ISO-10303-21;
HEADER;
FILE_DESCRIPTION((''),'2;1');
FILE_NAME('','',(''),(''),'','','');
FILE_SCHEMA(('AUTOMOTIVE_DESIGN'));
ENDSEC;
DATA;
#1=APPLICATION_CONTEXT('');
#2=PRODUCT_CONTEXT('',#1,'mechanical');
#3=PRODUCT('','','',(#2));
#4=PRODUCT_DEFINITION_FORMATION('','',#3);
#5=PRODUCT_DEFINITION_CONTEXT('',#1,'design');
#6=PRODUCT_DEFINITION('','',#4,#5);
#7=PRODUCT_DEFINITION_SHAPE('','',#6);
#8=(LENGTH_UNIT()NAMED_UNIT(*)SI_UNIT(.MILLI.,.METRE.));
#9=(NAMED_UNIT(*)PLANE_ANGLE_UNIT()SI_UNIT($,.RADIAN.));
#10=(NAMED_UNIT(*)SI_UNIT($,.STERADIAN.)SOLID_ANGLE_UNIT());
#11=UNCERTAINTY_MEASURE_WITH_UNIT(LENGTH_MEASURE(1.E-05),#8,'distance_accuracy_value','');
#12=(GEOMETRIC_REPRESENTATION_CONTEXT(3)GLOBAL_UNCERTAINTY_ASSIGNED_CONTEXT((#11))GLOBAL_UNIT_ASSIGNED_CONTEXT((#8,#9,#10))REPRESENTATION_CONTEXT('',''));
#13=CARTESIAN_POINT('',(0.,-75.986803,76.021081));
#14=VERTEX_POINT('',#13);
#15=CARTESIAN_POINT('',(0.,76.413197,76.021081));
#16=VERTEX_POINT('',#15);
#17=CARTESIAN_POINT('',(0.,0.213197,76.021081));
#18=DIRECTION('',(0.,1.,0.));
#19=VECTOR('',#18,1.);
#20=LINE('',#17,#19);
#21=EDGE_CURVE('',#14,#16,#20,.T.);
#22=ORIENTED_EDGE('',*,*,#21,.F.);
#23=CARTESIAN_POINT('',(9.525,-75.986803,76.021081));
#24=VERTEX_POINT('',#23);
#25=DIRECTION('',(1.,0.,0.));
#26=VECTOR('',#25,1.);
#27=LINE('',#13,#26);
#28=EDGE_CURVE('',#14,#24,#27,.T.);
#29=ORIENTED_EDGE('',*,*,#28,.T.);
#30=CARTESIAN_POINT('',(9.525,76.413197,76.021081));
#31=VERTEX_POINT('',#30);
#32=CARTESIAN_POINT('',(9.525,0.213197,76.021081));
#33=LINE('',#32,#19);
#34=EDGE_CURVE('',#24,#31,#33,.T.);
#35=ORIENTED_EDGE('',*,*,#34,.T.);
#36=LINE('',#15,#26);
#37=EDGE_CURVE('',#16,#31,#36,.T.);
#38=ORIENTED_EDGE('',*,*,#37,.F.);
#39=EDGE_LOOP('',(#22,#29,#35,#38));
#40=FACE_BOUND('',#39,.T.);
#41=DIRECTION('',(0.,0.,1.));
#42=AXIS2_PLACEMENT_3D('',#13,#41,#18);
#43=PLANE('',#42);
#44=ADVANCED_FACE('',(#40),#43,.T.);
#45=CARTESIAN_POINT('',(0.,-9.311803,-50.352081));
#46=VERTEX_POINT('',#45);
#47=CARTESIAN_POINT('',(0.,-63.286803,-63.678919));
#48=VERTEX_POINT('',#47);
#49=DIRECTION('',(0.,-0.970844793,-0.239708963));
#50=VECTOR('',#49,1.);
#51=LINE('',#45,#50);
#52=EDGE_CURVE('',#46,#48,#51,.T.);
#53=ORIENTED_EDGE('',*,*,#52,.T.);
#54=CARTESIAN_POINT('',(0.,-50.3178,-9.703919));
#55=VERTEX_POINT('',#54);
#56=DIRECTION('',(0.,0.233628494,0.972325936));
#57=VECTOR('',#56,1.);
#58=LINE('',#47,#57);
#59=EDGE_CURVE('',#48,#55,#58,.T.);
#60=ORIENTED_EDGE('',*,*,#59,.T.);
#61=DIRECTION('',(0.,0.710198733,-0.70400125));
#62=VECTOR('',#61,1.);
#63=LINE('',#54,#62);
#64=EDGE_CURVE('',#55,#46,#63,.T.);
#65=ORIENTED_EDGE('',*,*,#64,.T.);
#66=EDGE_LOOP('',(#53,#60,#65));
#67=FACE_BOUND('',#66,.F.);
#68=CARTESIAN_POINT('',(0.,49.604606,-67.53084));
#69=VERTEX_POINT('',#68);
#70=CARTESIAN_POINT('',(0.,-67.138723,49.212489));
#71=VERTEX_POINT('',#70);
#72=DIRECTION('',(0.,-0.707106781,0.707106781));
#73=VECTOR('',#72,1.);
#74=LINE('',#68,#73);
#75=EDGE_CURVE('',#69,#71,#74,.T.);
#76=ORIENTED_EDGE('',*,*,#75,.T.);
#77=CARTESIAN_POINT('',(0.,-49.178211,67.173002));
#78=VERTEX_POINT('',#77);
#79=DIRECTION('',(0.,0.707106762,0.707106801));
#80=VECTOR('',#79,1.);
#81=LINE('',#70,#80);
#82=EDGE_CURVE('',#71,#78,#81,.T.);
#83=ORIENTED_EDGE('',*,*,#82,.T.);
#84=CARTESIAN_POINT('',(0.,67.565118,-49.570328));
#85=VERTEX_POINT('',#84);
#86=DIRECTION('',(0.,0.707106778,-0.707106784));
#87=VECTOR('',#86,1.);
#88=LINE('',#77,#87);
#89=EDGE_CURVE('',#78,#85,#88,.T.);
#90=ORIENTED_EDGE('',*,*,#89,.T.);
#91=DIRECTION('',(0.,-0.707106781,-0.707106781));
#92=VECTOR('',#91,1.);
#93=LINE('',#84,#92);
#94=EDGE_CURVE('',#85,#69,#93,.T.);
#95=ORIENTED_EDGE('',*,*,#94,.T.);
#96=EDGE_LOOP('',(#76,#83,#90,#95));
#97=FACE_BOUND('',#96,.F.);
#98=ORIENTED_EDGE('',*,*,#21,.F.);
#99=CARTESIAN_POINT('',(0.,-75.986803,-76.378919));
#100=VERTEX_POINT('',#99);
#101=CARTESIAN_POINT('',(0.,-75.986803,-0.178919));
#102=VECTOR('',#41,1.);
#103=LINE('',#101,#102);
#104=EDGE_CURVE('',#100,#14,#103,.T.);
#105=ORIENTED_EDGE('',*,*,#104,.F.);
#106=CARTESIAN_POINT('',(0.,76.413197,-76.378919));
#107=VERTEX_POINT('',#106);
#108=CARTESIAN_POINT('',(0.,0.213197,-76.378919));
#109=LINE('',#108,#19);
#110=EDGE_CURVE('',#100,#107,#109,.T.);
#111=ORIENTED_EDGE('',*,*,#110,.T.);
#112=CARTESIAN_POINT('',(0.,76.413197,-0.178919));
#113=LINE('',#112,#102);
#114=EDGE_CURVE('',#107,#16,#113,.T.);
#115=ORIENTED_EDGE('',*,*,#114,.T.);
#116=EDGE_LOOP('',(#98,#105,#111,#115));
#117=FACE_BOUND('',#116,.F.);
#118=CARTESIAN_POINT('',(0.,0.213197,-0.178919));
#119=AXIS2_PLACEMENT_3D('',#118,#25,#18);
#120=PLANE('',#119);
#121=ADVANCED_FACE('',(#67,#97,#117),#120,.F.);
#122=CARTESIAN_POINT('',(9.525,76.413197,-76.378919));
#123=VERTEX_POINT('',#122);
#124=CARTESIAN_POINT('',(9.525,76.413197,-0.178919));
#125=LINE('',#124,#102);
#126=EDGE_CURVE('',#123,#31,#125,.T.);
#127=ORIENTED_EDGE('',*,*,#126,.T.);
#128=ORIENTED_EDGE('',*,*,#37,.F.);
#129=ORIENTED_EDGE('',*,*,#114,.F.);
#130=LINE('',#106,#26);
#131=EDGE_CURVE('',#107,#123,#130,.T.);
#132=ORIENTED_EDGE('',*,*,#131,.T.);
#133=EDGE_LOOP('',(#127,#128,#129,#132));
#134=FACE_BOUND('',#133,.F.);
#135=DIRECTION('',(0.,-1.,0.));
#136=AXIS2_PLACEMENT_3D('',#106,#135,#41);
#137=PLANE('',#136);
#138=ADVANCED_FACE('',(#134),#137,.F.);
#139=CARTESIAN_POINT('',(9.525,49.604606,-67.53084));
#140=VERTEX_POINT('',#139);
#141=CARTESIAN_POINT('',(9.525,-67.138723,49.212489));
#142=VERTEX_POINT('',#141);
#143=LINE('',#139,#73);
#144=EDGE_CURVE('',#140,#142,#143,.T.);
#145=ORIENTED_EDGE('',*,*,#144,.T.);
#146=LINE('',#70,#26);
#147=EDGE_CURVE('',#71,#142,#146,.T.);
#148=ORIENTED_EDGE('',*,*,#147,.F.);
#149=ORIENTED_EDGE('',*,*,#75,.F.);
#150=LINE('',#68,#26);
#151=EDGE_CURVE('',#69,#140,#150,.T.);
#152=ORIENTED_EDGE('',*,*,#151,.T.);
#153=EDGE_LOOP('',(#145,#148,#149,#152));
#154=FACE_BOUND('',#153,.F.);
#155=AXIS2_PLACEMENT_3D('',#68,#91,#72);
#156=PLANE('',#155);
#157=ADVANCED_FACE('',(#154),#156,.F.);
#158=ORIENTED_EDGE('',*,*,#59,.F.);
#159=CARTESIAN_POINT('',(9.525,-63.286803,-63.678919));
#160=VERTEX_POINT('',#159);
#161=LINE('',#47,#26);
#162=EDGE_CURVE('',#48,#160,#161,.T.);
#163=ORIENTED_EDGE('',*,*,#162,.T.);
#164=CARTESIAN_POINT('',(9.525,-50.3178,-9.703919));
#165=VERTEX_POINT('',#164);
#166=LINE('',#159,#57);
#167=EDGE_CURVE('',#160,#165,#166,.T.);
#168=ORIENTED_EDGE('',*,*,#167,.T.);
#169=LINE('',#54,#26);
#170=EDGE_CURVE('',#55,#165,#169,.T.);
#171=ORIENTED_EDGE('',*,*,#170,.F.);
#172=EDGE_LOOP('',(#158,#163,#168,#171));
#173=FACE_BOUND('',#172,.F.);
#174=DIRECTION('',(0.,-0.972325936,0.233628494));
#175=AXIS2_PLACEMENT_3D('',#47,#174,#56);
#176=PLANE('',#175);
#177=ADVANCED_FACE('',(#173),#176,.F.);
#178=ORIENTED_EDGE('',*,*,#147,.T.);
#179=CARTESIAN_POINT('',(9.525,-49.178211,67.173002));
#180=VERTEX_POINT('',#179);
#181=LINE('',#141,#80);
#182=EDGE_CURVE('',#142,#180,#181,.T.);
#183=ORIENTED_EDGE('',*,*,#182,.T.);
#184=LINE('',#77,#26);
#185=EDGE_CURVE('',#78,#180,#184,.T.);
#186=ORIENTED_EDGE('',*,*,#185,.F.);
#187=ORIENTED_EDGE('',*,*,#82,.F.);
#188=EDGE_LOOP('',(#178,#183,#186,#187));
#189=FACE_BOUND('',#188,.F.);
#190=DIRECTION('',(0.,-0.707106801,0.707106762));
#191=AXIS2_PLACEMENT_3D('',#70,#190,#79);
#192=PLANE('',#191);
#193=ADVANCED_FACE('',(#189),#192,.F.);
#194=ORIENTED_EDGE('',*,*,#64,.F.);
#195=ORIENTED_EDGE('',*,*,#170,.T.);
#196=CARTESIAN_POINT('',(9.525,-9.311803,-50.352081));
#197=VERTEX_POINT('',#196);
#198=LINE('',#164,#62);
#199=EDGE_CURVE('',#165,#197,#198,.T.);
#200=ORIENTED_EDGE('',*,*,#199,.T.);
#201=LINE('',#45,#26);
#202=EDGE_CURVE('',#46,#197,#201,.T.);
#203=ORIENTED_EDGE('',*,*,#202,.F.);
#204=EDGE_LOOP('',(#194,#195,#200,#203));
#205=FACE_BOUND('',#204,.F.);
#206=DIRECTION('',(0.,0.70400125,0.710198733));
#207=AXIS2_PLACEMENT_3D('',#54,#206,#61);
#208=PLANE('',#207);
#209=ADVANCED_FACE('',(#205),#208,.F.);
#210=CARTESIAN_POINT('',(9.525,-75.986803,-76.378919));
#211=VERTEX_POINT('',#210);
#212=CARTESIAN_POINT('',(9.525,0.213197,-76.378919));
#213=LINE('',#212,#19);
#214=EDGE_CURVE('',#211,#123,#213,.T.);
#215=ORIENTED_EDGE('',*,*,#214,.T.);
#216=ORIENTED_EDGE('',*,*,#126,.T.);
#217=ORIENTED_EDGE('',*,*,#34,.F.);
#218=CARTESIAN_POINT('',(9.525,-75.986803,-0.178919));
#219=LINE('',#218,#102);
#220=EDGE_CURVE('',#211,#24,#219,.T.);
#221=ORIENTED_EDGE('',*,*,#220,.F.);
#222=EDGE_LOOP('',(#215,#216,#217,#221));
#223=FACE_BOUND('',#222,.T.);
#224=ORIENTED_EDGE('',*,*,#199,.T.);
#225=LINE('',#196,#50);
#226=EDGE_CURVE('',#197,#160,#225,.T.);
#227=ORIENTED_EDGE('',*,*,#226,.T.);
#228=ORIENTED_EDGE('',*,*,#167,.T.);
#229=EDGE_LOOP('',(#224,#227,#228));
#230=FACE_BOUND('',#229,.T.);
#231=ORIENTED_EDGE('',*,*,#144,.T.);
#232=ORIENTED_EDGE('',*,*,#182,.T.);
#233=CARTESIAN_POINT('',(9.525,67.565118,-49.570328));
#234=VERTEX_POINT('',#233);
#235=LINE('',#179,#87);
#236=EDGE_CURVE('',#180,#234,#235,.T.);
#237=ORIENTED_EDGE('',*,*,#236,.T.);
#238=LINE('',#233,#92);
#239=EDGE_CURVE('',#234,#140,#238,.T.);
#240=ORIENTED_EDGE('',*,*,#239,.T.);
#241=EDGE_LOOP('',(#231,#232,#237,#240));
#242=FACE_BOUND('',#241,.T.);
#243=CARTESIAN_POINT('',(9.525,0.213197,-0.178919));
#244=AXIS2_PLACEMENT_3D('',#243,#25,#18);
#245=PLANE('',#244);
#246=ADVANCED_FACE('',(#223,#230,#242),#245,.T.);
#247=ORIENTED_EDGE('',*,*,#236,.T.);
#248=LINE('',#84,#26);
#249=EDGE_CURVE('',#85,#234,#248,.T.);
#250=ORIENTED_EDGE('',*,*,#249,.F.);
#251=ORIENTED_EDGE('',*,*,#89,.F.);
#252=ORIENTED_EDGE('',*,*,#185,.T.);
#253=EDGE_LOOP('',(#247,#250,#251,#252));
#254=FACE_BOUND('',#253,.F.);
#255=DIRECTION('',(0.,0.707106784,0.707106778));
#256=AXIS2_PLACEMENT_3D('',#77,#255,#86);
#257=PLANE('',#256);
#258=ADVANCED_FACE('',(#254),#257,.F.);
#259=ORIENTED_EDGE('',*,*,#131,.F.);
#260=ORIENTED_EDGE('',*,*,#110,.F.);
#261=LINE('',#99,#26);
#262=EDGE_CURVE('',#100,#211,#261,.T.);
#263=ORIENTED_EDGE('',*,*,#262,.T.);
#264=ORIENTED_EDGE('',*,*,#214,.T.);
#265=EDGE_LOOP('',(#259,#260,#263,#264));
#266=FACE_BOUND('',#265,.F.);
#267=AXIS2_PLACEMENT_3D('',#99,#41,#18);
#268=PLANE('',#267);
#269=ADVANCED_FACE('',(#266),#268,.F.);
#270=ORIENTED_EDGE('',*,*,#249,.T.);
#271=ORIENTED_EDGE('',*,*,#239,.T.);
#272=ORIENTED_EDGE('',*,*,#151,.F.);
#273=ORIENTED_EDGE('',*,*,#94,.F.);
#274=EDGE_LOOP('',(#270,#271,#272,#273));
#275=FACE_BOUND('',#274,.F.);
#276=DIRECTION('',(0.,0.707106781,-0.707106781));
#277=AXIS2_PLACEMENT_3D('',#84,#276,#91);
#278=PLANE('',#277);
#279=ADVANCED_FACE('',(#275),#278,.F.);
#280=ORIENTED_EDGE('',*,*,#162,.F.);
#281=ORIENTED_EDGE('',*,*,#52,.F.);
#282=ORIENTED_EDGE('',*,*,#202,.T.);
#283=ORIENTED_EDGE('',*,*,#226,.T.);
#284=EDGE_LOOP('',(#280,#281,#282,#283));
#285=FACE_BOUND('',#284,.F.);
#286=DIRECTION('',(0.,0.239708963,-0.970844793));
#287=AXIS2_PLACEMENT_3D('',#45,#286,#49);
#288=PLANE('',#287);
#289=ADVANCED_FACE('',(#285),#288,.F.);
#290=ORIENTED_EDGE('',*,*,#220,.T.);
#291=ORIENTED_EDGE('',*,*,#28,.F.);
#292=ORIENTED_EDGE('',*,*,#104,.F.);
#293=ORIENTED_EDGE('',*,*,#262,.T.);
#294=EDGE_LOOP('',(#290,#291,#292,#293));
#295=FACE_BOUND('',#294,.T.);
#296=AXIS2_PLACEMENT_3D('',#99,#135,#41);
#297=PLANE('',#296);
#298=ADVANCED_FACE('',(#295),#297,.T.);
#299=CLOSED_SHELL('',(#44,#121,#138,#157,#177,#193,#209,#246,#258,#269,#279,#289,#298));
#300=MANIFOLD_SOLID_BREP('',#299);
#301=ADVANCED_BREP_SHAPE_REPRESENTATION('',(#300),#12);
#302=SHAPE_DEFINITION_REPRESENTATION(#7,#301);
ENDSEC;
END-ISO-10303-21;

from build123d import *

# Parameters (mm, degrees)
F0_W     = 152.4
F0_H     = 152.4
F1_DEPTH = 9.525


with BuildPart() as f1:
    # F0 (on Right) → F1 (new body)
    with BuildSketch(Plane.YZ):
        with Locations((0.213197, -0.178919)):
            Rectangle(F0_W, F0_H)
        Polygon((-9.311803, -50.352081), (-63.286803, -63.678919), (-50.3178, -9.703919), align=None, mode=Mode.SUBTRACT)
        Polygon((-67.138723, 49.212489), (-49.178211, 67.173002), (67.565118, -49.570328), (49.604606, -67.53084), align=None, mode=Mode.SUBTRACT)
    extrude(amount=F1_DEPTH)


solid = f1.part
